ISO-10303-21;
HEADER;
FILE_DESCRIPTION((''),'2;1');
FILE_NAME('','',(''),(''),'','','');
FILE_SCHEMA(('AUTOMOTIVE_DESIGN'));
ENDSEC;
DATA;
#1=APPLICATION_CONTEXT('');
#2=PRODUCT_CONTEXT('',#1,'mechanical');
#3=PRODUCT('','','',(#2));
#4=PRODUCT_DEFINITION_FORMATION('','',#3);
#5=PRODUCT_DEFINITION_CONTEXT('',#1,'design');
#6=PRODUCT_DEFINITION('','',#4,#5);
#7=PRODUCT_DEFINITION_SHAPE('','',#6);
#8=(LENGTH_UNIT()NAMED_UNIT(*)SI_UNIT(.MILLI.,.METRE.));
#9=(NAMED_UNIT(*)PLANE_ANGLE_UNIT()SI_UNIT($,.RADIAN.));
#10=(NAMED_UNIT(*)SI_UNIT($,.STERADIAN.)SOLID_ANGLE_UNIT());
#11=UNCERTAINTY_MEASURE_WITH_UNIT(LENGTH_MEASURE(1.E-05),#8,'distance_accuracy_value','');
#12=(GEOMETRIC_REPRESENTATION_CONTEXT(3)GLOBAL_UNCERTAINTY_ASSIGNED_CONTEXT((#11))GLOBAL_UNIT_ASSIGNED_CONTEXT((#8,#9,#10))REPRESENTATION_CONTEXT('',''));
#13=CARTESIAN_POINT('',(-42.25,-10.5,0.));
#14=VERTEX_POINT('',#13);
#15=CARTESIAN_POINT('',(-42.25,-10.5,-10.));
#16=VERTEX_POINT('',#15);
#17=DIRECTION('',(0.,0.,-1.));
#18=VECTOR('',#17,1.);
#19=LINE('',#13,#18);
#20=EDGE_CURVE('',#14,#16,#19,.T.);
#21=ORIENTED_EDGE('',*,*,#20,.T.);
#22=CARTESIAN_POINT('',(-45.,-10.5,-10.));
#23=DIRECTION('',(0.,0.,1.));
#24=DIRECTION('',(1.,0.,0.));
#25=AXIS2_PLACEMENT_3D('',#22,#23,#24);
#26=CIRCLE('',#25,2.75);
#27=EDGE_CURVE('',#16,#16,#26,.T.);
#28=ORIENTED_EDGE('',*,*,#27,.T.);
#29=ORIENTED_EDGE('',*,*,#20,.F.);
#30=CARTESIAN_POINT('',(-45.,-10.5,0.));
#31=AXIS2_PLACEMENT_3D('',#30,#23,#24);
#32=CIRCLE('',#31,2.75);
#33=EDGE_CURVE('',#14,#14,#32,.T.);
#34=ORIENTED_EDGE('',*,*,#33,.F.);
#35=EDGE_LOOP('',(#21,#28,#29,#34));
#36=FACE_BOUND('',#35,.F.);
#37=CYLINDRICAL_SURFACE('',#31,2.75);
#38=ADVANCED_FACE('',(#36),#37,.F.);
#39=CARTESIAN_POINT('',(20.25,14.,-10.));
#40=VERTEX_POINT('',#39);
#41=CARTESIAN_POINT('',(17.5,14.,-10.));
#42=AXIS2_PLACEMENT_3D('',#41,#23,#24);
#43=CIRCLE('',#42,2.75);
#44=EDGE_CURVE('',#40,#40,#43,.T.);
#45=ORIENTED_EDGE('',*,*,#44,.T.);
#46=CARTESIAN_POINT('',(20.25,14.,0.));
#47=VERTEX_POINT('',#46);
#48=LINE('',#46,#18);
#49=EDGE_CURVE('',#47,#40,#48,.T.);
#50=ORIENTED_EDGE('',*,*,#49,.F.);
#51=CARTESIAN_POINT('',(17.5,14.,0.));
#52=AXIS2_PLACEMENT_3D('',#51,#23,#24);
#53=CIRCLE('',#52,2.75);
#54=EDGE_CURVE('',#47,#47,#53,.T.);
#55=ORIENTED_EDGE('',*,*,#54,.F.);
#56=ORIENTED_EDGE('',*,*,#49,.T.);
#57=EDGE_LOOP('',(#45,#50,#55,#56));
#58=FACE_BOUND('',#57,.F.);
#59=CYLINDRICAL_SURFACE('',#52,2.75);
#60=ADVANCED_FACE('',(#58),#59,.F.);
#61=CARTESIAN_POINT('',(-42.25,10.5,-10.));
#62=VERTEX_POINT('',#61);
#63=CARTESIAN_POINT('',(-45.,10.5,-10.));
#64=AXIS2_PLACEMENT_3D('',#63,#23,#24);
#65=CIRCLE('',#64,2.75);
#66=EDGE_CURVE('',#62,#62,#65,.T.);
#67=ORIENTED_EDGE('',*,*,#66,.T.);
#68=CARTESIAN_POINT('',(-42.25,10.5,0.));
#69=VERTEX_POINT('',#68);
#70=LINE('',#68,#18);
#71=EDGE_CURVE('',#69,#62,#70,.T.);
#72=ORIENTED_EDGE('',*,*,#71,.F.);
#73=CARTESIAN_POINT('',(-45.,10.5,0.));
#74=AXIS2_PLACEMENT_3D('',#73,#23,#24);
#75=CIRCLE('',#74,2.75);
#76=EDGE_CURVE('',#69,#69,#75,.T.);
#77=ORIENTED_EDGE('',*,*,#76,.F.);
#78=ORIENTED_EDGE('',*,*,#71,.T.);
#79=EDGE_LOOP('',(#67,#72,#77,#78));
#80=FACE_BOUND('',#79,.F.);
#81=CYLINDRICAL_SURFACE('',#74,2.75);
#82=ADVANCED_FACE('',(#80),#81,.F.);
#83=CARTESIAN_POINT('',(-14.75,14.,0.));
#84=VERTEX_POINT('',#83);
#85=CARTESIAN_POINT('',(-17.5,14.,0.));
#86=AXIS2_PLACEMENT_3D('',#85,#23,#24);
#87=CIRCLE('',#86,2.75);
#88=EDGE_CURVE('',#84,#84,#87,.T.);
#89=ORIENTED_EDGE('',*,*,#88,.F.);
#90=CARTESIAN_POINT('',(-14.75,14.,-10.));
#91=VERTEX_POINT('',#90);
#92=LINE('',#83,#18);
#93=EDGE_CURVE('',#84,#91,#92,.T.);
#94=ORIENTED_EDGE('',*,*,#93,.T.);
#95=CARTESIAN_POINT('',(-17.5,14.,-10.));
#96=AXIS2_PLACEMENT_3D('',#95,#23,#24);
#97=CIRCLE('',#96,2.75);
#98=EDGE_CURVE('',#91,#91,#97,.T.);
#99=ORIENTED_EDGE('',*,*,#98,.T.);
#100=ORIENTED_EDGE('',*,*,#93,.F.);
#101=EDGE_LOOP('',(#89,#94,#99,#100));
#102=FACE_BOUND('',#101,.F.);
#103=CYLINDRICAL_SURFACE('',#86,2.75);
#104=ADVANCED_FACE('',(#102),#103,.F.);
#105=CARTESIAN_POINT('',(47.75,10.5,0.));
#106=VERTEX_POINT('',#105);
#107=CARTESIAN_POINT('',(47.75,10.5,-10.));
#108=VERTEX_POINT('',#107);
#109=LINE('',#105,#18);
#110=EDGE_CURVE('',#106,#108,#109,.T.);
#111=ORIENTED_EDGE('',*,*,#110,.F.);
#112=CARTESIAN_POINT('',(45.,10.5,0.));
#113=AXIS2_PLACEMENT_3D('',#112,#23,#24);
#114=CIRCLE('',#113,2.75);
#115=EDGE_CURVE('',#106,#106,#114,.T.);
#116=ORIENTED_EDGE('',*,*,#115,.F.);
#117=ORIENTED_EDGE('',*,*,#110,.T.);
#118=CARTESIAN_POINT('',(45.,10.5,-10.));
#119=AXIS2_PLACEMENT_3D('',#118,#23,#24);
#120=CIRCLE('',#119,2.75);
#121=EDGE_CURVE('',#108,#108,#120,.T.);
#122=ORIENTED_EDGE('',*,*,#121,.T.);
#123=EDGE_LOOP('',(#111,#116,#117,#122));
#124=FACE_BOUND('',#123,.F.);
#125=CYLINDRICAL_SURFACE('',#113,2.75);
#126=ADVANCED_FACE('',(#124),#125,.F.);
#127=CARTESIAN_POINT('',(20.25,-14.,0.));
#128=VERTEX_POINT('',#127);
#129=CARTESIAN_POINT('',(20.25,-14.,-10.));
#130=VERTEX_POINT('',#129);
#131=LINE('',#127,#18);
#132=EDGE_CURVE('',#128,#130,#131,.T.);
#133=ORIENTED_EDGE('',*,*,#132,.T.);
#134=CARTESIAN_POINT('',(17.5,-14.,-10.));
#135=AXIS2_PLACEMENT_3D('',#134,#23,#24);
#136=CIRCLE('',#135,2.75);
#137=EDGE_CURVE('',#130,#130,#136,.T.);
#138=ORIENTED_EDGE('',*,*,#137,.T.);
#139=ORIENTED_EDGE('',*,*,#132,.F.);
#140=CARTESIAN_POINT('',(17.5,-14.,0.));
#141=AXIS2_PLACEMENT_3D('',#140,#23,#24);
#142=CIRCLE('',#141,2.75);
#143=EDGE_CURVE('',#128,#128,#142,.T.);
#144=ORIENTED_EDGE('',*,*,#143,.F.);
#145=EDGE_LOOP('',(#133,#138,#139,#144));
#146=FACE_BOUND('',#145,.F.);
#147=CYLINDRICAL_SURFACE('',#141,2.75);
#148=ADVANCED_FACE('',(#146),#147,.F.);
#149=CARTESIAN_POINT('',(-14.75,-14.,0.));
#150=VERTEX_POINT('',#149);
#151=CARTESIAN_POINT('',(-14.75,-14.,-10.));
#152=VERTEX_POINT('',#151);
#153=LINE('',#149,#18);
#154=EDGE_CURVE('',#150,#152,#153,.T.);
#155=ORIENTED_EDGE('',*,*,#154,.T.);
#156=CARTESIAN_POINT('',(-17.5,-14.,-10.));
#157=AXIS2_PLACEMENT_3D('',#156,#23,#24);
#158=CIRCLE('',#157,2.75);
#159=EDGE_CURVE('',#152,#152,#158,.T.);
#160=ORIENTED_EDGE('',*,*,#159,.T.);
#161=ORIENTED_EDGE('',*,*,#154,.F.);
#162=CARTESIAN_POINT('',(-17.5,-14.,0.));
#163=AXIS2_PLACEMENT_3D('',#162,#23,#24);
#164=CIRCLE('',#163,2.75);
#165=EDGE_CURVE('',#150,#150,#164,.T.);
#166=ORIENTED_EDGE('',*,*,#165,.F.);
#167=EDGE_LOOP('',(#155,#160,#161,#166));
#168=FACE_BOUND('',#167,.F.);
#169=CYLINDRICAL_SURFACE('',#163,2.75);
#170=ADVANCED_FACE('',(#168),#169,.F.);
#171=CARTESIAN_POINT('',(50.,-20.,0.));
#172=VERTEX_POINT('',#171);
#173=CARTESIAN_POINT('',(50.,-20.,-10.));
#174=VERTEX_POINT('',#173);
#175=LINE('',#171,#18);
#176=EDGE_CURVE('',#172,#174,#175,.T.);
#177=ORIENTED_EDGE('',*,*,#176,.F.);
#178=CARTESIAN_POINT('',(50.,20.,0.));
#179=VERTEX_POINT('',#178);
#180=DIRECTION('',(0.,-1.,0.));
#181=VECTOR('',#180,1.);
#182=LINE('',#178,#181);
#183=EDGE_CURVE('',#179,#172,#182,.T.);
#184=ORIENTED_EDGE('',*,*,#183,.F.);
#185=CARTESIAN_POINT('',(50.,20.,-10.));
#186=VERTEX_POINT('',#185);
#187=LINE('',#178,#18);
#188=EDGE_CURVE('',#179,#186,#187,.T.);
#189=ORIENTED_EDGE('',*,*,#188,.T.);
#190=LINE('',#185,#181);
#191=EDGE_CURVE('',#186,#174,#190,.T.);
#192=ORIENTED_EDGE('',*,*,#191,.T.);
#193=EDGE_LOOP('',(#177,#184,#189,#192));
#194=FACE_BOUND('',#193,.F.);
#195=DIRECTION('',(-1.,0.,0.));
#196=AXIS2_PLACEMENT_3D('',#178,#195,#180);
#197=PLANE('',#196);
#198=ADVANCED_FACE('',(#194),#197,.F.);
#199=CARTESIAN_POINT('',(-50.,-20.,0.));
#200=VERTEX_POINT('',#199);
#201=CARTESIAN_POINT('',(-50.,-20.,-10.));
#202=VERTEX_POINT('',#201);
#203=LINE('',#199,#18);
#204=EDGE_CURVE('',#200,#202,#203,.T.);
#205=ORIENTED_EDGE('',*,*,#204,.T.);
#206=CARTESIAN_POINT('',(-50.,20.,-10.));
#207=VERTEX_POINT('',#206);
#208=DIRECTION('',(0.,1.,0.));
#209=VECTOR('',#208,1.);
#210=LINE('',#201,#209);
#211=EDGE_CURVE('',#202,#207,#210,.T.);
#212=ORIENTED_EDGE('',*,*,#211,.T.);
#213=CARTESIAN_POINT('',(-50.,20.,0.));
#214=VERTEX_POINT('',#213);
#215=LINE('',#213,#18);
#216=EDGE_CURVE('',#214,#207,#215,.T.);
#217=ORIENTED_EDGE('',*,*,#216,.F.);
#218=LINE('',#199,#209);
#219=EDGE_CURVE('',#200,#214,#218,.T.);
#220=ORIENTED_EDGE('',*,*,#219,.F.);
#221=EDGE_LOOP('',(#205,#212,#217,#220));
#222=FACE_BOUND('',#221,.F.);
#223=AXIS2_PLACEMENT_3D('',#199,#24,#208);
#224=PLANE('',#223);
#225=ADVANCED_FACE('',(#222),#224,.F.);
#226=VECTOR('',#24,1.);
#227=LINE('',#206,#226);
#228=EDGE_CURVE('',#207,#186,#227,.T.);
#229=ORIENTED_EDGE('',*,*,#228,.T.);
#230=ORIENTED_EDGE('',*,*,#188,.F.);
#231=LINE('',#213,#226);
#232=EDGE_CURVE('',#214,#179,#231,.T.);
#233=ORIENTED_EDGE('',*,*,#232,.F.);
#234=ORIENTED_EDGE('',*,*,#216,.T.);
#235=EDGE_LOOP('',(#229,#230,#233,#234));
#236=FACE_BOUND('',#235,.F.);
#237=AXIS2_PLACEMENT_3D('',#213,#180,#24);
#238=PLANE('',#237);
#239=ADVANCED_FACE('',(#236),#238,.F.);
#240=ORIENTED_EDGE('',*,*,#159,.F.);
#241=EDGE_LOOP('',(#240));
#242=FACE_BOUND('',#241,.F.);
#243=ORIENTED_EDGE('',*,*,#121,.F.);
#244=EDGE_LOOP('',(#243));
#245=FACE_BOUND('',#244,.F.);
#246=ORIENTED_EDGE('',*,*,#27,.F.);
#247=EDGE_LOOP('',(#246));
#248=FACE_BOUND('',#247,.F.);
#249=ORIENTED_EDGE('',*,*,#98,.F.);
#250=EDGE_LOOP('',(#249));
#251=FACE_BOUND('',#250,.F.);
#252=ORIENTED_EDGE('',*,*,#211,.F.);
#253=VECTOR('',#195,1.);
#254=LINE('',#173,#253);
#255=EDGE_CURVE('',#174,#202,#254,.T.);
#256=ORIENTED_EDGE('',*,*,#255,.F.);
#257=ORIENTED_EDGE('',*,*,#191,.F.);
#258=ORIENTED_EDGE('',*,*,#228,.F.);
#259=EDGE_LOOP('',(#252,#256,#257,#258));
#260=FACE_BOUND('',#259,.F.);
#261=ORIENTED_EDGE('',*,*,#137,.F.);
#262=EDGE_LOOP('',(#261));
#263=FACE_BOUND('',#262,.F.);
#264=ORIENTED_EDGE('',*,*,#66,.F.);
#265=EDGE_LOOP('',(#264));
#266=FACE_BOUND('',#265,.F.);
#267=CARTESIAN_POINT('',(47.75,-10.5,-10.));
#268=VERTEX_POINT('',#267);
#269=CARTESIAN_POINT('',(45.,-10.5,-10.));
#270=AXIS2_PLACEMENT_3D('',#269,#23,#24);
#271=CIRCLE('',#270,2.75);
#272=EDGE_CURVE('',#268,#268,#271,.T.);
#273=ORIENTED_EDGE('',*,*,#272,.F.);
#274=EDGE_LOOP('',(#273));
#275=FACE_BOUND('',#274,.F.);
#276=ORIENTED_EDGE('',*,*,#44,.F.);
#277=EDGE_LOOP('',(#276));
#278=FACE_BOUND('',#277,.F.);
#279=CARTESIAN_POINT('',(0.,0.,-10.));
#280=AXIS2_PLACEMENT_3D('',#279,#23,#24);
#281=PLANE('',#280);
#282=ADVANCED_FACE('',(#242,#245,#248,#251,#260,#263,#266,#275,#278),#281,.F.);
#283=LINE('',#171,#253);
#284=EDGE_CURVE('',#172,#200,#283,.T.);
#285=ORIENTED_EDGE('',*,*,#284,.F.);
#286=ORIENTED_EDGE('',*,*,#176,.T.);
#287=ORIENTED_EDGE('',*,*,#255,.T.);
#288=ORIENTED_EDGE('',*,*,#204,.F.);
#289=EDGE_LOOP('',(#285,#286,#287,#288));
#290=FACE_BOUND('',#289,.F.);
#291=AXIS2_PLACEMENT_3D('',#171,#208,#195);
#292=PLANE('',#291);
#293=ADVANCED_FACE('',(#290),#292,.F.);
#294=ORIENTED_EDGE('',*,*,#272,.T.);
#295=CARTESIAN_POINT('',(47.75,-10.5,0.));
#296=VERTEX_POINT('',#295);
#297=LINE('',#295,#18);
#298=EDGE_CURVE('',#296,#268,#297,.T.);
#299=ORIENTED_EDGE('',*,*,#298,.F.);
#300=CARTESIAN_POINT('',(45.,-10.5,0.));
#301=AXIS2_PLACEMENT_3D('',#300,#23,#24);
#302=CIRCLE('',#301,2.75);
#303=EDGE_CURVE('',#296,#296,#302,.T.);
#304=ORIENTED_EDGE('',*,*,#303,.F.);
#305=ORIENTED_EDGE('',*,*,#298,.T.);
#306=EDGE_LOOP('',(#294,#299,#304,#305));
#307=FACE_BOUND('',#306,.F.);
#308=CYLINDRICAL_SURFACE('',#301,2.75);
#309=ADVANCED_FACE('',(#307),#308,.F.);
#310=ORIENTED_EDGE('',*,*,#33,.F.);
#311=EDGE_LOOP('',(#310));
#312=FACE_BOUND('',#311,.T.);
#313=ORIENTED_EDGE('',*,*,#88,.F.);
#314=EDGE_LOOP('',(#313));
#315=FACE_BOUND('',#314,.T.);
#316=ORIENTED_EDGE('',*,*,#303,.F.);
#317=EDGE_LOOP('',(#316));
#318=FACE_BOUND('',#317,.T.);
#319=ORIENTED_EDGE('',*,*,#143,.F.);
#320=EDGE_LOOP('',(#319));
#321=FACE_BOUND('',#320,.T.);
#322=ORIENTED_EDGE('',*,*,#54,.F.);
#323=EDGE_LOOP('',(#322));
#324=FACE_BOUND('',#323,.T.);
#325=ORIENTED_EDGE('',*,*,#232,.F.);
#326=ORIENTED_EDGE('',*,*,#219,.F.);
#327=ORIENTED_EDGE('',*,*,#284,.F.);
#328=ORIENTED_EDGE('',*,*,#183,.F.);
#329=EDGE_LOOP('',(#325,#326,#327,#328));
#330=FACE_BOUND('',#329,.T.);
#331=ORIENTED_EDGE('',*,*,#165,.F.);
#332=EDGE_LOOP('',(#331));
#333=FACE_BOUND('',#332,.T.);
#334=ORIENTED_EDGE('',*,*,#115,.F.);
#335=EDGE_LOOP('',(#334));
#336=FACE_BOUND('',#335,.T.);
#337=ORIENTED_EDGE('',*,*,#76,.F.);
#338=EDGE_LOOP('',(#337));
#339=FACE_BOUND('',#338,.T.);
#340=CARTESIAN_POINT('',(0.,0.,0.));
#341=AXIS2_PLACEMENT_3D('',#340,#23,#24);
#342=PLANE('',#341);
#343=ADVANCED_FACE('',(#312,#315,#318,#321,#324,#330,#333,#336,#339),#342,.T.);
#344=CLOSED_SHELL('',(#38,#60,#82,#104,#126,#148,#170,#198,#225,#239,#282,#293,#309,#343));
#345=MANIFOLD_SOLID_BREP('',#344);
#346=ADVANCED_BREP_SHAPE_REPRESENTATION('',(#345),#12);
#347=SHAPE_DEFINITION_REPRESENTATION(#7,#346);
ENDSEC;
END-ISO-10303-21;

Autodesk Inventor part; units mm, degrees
ref_plane "YZ Plane" through (0, 0, 0) normal (1, 0, 0) x (0, 1, 0)
ref_plane "XZ Plane" through (0, 0, 0) normal (0, 1, 0) x (-1, 0, 0)
ref_plane "XY Plane" through (0, 0, 0) normal (0, 0, 1) x (1, 0, 0)
sketch "Sketch1" plane through (0, 0, 0) normal (0, 0, 1) x (1, 0, 0)
  line L0 (-50, 20) -> (50, 20)
  line L1 (50, 20) -> (50, -20)
  line L2 (50, -20) -> (-50, -20)
  line L3 (-50, -20) -> (-50, 20)
  circle A0 centre (-45, 10.5) radius 2.75
  circle A1 centre (-45, -10.5) radius 2.75
  circle A2 centre (45, 10.5) radius 2.75
  circle A3 centre (45, -10.5) radius 2.75
  line L4 (-45, 10.5) -> (-45, -10.5) construction
  point P0 (0, 0)
  point P1 (-50, 0)
  point P2 (0, 20)
  point P3 (-45, 0)
  dimension "d0" = 40
  dimension "d1" = 100
  dimension "d2" = 5.5
  dimension "d3" = 5.5
  dimension "d4" = 5
  dimension "d7" = 5
  dimension "d10" = 90
  dimension "d29" = 21
sketch "Sketch2" plane through (0, 0, 0) normal (0, 0, 1) x (1, 0, 0)
  circle A0 centre (-17.5, 14) radius 2.75
  circle A1 centre (17.5, 14) radius 2.75
  line L0 (-17.5, 14) -> (17.5, 14) construction
  line L1 (0, 0) -> (0, 14) construction
  circle A2 centre (-17.5, -14) radius 2.75
  circle A3 centre (17.5, -14) radius 2.75
  dimension "d15" = 5.5
  dimension "d17" = 5.5
  dimension "d20" = 35
  dimension "d21" = 14
  dimension "d24" = 28
extrude "Extrusion1" add sketch "Sketch1" against normal blind 10
extrude "Extrusion2" cut sketch "Sketch2" against normal through all
properties part number "casterplate2"
